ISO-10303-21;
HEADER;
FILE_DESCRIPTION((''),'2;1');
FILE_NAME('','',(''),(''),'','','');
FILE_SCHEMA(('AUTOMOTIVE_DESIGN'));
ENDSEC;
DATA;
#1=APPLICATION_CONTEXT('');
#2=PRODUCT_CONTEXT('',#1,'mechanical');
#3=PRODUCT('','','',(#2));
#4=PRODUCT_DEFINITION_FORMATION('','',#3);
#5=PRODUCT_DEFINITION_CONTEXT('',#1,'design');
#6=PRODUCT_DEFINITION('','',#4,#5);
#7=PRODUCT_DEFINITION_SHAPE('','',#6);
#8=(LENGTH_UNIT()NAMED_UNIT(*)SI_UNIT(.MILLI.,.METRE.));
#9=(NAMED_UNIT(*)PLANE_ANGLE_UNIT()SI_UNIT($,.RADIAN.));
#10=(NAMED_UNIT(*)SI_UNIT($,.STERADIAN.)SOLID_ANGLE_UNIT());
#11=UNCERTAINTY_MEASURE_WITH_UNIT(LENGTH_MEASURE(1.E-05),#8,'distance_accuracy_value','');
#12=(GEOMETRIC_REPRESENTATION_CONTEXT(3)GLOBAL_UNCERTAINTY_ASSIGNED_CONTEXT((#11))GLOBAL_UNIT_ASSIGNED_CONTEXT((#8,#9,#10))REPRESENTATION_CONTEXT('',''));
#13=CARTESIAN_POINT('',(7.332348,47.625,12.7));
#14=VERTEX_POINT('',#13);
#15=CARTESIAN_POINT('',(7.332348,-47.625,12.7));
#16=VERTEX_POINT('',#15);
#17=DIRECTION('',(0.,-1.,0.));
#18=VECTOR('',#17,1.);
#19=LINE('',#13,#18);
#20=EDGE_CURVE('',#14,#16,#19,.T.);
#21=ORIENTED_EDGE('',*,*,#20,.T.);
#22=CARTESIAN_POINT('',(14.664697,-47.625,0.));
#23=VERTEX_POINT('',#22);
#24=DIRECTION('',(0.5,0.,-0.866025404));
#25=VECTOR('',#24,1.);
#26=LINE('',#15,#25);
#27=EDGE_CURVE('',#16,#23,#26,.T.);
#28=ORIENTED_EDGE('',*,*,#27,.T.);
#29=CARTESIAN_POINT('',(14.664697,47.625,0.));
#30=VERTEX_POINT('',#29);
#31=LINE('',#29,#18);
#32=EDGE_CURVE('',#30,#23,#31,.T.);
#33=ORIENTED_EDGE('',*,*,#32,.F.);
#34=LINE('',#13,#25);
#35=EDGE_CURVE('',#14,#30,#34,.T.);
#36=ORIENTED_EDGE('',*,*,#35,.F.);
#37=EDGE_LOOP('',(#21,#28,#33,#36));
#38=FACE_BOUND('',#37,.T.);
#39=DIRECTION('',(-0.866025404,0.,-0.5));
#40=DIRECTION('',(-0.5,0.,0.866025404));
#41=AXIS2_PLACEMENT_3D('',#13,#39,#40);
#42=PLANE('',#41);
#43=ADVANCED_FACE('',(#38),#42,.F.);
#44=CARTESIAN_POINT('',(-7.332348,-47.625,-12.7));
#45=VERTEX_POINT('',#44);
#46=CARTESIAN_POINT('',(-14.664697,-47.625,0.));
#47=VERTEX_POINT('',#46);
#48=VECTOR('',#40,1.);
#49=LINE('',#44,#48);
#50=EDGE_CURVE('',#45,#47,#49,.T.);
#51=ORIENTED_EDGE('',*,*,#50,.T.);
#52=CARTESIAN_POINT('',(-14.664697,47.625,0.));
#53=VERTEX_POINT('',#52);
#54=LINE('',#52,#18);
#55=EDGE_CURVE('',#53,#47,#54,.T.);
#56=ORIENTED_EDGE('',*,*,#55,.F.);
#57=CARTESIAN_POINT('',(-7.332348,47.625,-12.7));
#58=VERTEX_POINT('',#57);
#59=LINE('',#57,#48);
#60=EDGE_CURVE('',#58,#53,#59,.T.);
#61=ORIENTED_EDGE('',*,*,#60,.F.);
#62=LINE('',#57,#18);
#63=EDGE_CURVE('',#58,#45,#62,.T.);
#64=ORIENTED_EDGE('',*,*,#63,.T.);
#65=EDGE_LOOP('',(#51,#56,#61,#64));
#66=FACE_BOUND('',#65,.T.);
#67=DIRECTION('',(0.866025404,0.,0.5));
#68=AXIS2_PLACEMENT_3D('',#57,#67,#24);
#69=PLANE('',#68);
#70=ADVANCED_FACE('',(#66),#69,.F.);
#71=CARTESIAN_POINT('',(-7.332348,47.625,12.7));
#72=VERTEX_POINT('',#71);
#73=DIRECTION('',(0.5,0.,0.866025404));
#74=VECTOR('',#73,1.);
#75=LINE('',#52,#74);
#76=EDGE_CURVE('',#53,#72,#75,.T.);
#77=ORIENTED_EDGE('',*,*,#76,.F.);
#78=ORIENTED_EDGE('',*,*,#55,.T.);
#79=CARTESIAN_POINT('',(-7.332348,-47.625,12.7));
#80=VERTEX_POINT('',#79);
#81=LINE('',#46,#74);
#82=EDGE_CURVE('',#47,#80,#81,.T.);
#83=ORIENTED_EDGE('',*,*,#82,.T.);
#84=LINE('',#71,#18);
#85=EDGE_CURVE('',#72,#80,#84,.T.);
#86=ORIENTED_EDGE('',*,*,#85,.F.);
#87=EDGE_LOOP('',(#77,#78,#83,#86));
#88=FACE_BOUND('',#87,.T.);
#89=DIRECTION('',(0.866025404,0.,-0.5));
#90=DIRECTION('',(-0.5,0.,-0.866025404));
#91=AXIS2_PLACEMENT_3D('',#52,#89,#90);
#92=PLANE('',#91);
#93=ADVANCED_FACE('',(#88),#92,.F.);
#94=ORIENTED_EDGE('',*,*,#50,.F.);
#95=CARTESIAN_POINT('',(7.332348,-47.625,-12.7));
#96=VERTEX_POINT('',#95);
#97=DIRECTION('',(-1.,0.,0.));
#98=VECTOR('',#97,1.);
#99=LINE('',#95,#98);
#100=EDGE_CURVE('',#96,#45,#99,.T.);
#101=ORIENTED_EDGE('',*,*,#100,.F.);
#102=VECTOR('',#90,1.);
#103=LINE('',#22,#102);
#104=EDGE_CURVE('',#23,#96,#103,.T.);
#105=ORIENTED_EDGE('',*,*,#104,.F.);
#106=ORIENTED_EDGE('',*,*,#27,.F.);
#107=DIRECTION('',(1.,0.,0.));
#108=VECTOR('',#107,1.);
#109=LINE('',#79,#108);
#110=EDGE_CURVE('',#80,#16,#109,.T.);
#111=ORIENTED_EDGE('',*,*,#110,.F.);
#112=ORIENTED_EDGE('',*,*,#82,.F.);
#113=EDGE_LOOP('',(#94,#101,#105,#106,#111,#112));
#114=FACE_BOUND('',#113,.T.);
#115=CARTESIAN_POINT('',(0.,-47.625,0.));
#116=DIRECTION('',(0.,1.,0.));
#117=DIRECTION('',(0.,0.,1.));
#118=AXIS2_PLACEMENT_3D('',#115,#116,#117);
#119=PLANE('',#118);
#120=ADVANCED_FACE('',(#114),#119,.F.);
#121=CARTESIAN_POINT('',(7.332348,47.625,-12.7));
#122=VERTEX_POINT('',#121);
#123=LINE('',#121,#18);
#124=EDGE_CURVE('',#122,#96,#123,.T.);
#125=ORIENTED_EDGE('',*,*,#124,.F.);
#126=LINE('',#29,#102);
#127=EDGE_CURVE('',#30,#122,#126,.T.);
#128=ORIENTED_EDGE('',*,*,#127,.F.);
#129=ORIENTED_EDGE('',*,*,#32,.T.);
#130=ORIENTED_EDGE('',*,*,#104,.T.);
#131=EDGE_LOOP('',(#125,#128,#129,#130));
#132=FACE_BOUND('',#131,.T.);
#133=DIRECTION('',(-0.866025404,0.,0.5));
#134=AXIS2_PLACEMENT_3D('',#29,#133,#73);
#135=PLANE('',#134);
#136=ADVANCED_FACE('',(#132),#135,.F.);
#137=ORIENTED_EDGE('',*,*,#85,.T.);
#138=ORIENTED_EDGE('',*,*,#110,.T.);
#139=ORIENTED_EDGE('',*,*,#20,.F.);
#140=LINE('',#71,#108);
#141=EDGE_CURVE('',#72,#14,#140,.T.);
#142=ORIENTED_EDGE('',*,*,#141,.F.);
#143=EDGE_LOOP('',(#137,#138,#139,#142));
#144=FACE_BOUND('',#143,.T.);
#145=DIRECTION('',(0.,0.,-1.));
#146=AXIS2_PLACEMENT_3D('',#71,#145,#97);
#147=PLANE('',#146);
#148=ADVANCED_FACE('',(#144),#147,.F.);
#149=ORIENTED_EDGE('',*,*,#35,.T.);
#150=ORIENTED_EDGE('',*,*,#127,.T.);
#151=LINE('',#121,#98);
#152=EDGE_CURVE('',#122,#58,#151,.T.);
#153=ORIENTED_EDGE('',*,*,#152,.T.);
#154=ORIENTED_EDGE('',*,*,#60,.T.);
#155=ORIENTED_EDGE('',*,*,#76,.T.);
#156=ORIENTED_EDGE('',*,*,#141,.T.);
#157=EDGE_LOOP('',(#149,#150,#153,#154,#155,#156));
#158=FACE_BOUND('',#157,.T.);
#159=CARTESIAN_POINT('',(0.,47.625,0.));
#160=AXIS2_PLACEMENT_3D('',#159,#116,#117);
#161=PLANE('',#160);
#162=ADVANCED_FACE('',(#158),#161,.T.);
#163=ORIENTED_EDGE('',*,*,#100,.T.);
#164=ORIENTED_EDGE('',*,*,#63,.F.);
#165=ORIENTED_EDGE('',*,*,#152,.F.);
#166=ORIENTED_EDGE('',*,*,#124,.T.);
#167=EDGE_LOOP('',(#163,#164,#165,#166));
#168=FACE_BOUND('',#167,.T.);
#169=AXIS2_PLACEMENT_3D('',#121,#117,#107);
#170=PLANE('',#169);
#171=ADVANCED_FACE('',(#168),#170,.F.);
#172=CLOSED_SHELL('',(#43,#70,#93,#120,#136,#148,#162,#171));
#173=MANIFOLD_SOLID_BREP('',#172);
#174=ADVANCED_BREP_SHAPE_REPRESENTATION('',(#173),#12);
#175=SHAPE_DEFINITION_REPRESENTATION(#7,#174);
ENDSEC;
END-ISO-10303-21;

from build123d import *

# Parameters (mm, degrees)
BOSS_EXTRUDE1_DEPTH = 47.625


with BuildPart() as part:
    # Sketch1 → Boss-Extrude1 (new, symmetric)
    with BuildSketch(Plane(origin=(0, 0, 0), x_dir=(1, 0, 0), z_dir=(0, 1, 0))):
        Polygon((-14.664696837, 0), (-7.332348419, -12.7), (7.332348419, -12.7), (14.664696837, 0), (7.332348419, 12.7), (-7.332348419, 12.7), align=None)
    extrude(amount=BOSS_EXTRUDE1_DEPTH, both=True)


solid = part.part
